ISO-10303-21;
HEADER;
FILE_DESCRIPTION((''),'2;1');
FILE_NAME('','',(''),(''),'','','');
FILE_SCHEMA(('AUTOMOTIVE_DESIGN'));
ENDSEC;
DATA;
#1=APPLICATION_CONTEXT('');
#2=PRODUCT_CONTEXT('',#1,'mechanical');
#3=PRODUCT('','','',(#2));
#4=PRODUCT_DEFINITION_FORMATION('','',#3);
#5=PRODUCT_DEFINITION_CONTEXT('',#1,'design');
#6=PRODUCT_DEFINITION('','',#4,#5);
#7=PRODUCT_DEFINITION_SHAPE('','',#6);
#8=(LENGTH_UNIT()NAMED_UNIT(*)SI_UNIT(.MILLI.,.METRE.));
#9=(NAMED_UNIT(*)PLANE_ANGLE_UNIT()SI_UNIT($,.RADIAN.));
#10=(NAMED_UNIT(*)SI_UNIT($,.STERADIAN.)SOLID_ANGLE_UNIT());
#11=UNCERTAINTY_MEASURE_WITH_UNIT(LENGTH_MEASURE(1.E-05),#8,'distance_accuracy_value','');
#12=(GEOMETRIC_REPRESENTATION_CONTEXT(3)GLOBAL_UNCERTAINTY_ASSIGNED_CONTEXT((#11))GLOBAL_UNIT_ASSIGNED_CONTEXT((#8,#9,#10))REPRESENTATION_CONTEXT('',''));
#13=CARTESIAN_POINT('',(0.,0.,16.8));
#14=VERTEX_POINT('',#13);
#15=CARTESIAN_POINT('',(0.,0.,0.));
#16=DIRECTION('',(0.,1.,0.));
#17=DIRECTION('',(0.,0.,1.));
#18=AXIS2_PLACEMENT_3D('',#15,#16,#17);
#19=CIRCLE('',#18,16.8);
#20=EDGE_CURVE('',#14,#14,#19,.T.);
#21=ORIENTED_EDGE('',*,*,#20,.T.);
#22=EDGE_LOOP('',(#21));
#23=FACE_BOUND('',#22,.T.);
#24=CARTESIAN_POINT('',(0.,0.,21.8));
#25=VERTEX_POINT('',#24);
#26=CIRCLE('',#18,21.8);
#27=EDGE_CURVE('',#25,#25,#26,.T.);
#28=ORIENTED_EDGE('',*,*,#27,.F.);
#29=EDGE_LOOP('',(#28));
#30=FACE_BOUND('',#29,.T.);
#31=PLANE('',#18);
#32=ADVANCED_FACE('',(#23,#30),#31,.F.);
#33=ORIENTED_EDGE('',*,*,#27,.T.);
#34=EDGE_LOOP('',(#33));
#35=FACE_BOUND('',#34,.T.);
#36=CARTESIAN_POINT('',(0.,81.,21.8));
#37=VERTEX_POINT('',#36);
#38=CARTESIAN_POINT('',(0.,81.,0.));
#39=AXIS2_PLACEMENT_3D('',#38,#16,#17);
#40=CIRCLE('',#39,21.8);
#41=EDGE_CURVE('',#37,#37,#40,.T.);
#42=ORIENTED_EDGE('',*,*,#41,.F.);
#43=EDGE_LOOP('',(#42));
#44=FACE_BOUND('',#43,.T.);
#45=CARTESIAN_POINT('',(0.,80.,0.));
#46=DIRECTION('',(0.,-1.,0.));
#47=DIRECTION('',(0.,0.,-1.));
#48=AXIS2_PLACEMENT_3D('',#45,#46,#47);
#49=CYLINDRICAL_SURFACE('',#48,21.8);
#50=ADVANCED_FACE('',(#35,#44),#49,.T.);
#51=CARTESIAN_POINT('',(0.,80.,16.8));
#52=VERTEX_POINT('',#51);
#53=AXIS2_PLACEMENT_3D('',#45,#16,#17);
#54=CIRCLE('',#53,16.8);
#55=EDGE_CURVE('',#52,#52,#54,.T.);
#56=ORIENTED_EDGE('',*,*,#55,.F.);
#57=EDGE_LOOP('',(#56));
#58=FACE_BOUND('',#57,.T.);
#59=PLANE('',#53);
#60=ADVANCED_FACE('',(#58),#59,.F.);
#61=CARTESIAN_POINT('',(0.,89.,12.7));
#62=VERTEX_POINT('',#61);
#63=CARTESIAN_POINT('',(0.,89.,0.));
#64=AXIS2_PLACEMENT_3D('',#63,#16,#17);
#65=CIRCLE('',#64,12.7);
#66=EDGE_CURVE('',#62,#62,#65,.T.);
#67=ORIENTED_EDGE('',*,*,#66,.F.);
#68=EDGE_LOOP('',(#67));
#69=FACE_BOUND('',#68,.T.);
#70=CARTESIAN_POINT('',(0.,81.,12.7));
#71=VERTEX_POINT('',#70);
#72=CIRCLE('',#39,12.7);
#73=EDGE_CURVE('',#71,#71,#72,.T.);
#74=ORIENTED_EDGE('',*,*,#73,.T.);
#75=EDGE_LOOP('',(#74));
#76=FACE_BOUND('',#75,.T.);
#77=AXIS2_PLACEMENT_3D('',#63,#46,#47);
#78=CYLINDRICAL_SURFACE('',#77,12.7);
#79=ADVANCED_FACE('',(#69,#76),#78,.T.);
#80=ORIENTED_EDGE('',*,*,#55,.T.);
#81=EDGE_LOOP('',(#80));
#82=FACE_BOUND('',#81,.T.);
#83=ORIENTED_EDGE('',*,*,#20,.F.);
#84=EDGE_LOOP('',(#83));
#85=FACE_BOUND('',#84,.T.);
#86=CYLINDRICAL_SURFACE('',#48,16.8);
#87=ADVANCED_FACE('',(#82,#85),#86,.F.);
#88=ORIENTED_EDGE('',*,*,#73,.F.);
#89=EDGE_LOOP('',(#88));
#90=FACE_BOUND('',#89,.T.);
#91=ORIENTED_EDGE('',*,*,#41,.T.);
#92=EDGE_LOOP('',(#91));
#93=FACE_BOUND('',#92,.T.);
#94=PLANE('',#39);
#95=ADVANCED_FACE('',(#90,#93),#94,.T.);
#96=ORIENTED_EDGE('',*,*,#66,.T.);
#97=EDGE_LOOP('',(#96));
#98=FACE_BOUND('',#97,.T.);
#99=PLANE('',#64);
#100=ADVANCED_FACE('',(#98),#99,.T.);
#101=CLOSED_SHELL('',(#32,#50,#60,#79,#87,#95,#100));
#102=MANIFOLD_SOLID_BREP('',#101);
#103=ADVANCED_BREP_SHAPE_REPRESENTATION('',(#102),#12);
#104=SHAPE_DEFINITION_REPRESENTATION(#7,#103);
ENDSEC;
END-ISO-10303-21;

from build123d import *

# Parameters (mm, degrees)
SKETCH1_R           = 21.8
SKETCH1_R_2         = 16.8
BOSS_EXTRUDE1_DEPTH = 80
SKETCH3_R           = 21.8
BOSS_EXTRUDE2_DEPTH = 1
SKETCH4_R           = 12.7
BOSS_EXTRUDE3_DEPTH = 8


with BuildPart() as part:
    # Sketch1 → Boss-Extrude1 (new body)
    with BuildSketch(Plane(origin=(0, 0, 0), x_dir=(1, 0, 0), z_dir=(0, 1, 0))):
        Circle(SKETCH1_R)
        Circle(SKETCH1_R_2, mode=Mode.SUBTRACT)
    extrude(amount=BOSS_EXTRUDE1_DEPTH)

    # Sketch3 → Boss-Extrude2 (add)
    with BuildSketch(Plane(origin=(0, 80, 0), x_dir=(1, 0, 0), z_dir=(0, 1, 0))):
        Circle(SKETCH3_R)
    extrude(amount=BOSS_EXTRUDE2_DEPTH)

    # Sketch4 → Boss-Extrude3 (add)
    with BuildSketch(Plane(origin=(0, 81, 0), x_dir=(1, 0, 0), z_dir=(0, 1, 0))):
        Circle(SKETCH4_R)
    extrude(amount=BOSS_EXTRUDE3_DEPTH)


solid = part.part
